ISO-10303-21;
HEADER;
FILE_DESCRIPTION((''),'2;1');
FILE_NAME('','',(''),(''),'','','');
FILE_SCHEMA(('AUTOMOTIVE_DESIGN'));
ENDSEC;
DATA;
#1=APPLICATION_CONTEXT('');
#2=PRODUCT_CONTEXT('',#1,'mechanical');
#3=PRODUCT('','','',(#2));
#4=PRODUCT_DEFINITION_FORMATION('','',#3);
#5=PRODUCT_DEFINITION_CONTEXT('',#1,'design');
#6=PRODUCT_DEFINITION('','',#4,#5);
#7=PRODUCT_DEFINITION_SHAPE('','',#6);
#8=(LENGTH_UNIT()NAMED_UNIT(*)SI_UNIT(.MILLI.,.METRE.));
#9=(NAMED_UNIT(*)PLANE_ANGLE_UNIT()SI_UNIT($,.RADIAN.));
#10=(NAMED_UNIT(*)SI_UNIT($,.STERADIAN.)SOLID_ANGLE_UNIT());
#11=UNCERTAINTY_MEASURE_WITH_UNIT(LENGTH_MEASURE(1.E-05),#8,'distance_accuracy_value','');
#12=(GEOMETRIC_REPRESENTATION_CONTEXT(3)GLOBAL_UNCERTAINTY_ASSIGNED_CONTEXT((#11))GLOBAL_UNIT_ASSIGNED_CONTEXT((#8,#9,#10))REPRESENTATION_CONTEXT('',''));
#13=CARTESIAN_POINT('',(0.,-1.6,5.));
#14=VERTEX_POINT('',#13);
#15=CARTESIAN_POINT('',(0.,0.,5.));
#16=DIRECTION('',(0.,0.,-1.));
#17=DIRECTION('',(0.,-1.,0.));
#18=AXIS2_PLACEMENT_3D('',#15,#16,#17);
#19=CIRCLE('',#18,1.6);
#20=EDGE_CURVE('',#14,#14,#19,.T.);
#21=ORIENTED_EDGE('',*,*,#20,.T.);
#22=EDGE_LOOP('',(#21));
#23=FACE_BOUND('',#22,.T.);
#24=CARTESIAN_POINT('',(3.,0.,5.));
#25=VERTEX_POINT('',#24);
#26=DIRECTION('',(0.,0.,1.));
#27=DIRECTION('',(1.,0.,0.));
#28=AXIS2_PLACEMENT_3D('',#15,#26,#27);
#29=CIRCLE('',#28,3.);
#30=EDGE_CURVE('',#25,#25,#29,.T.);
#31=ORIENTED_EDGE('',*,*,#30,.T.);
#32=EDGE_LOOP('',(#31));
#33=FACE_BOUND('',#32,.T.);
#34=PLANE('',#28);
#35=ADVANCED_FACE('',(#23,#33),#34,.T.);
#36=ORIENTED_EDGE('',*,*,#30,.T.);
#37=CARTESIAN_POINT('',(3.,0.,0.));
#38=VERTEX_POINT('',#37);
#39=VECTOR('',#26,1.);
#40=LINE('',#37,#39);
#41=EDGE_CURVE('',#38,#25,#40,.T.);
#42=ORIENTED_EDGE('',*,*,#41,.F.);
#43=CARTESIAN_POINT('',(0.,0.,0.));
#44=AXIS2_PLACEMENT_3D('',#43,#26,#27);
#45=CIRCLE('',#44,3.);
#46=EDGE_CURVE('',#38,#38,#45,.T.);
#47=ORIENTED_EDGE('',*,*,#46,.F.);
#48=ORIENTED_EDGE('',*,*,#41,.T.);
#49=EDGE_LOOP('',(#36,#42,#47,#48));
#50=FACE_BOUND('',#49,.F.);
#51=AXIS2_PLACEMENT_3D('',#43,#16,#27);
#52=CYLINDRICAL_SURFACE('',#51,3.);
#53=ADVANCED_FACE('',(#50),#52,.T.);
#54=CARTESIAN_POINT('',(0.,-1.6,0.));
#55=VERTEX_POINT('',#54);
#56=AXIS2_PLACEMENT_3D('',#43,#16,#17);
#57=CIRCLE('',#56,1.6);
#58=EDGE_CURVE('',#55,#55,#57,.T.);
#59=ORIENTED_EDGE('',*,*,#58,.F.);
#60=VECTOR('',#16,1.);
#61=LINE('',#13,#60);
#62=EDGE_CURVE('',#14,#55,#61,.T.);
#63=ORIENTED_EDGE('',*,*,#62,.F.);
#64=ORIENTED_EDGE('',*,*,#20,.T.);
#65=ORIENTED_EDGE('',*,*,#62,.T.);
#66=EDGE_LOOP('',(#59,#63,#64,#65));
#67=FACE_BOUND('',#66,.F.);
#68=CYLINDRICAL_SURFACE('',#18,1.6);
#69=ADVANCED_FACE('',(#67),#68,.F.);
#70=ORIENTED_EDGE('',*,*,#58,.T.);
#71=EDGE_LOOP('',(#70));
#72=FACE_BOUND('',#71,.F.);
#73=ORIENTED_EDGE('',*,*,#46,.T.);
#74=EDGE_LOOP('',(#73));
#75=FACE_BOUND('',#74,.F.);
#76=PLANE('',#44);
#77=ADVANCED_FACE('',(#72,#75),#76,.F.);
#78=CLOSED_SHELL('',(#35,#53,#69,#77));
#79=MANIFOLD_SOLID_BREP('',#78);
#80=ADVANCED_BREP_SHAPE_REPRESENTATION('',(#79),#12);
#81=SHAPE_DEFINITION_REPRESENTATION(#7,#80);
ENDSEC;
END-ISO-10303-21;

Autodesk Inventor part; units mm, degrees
ref_plane "YZ Plane" through (0, 0, 0) normal (1, 0, 0) x (0, 1, 0)
ref_plane "XZ Plane" through (0, 0, 0) normal (0, 1, 0) x (-1, 0, 0)
ref_plane "XY Plane" through (0, 0, 0) normal (0, 0, 1) x (1, 0, 0)
sketch "スケッチ1" plane through (0, 0, 0) normal (0, 0, 1) x (1, 0, 0)
  circle A0 centre (0, 0) radius 3
  dimension "d0" = 6
extrude "押し出し1" add sketch "スケッチ1" along normal blind 5
sketch "スケッチ2" plane through (0, 0, 5) normal (0, 0, 1) x (1, 0, 0)
  point P0 (0, 0)
  point P1 (0, 0)
hole "穴1" at (0, 0, 5) direction (0, 0, -1) diameter 3.2 end through all
properties part number "スペーサCU-305" material "ステンレス鋼"
